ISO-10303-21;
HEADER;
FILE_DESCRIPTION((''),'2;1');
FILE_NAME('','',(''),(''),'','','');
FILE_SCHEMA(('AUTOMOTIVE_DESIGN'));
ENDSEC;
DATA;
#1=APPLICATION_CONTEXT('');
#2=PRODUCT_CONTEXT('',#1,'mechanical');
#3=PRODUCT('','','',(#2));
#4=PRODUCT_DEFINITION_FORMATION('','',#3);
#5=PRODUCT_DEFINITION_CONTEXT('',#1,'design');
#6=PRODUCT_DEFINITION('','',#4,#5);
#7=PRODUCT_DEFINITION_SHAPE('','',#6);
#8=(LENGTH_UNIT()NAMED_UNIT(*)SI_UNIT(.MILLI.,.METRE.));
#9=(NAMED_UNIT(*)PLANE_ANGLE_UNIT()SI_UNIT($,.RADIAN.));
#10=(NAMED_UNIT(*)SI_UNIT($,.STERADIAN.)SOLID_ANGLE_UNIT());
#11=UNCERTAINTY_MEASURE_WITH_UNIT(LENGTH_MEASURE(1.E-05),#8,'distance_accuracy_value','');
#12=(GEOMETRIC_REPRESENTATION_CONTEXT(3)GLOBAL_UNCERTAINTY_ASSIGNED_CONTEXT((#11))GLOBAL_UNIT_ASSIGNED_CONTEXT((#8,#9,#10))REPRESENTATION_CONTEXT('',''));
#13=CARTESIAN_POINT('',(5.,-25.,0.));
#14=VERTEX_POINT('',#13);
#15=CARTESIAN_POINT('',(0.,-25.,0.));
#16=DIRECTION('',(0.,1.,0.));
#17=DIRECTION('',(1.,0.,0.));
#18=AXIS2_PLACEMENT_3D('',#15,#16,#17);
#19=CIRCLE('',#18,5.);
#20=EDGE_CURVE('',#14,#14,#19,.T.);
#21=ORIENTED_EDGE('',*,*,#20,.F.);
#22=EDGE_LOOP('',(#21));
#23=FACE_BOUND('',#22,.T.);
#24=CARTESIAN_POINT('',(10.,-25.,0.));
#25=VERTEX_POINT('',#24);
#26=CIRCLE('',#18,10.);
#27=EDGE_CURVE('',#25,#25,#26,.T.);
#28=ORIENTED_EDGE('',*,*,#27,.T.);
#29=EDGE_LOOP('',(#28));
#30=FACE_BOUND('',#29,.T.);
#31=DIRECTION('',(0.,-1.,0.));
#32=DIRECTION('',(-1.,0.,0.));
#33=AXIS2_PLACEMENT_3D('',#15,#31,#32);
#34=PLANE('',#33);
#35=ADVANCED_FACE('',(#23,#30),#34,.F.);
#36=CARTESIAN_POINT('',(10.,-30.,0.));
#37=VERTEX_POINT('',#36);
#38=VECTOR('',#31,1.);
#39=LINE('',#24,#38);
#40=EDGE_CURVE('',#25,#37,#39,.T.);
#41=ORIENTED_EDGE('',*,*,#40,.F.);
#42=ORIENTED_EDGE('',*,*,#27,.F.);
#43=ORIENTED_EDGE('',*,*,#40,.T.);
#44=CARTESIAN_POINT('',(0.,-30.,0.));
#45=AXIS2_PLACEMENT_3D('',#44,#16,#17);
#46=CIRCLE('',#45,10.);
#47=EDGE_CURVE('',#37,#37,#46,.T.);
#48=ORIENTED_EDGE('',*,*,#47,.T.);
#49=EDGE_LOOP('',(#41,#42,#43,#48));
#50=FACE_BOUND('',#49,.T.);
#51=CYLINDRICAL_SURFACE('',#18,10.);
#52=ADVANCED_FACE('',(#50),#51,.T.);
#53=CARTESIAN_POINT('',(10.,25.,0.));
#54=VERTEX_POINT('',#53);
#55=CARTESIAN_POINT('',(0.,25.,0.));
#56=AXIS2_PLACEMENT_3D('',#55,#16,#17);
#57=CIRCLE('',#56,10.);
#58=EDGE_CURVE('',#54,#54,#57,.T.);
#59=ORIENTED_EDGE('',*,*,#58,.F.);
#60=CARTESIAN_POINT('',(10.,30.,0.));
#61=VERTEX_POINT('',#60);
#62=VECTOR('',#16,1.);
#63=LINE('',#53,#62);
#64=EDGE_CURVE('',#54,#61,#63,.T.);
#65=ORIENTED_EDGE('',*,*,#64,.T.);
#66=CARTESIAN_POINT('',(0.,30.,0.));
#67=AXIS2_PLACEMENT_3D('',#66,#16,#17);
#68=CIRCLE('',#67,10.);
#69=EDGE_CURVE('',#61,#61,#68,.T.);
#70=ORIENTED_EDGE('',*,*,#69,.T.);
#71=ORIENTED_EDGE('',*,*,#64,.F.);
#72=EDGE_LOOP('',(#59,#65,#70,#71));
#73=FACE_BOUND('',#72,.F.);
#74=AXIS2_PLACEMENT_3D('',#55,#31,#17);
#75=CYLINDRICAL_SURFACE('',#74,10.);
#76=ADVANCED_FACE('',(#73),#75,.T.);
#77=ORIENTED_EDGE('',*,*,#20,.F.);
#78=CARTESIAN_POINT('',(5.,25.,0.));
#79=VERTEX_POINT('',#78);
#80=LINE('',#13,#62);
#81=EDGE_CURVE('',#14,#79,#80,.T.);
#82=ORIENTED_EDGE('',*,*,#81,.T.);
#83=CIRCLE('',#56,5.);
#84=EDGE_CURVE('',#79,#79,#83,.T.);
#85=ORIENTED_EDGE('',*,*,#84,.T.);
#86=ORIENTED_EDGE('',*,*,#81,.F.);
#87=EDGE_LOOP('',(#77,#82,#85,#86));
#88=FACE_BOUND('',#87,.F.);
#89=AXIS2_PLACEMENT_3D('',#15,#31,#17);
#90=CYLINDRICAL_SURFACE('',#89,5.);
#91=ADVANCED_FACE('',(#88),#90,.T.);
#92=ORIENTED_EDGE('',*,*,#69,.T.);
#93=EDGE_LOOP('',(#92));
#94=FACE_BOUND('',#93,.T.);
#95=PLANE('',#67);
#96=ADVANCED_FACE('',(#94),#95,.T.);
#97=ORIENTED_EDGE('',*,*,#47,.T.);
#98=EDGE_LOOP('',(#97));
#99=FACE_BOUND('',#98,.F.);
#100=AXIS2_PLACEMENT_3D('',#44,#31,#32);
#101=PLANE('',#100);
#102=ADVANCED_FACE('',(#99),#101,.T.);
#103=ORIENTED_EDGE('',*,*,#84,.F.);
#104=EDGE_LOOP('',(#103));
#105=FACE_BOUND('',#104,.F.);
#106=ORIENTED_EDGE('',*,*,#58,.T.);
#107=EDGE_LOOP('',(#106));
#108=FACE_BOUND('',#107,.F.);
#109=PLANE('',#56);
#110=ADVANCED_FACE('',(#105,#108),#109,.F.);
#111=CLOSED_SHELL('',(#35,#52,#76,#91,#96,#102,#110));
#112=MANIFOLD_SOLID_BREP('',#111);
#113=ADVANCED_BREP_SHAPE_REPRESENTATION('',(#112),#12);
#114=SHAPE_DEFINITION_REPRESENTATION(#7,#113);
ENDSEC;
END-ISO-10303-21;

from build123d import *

# Parameters (mm, degrees)
BOSS_EXTRUDE1_START = -25
SKETCH1_R           = 5
BOSS_EXTRUDE1_DEPTH = 50
SKETCH2_R           = 10
BOSS_EXTRUDE2_DEPTH = 5


with BuildPart() as part:
    # Sketch1 → Boss-Extrude1 (new body)
    with BuildSketch(Plane(origin=(0, 0, 0), x_dir=(1, 0, 0), z_dir=(0, 1, 0)).offset(BOSS_EXTRUDE1_START)):
        Circle(SKETCH1_R)
    extrude(amount=BOSS_EXTRUDE1_DEPTH)

    # Sketch2 → Boss-Extrude2 (add)
    with BuildSketch(Plane(origin=(0, 25, 0), x_dir=(1, 0, 0), z_dir=(0, 1, 0))):
        Circle(SKETCH2_R)
    boss_extrude2 = extrude(amount=BOSS_EXTRUDE2_DEPTH)

    # Mirror1: Boss-Extrude2 across plane
    add(boss_extrude2.mirror(Plane.ZX))


solid = part.part
